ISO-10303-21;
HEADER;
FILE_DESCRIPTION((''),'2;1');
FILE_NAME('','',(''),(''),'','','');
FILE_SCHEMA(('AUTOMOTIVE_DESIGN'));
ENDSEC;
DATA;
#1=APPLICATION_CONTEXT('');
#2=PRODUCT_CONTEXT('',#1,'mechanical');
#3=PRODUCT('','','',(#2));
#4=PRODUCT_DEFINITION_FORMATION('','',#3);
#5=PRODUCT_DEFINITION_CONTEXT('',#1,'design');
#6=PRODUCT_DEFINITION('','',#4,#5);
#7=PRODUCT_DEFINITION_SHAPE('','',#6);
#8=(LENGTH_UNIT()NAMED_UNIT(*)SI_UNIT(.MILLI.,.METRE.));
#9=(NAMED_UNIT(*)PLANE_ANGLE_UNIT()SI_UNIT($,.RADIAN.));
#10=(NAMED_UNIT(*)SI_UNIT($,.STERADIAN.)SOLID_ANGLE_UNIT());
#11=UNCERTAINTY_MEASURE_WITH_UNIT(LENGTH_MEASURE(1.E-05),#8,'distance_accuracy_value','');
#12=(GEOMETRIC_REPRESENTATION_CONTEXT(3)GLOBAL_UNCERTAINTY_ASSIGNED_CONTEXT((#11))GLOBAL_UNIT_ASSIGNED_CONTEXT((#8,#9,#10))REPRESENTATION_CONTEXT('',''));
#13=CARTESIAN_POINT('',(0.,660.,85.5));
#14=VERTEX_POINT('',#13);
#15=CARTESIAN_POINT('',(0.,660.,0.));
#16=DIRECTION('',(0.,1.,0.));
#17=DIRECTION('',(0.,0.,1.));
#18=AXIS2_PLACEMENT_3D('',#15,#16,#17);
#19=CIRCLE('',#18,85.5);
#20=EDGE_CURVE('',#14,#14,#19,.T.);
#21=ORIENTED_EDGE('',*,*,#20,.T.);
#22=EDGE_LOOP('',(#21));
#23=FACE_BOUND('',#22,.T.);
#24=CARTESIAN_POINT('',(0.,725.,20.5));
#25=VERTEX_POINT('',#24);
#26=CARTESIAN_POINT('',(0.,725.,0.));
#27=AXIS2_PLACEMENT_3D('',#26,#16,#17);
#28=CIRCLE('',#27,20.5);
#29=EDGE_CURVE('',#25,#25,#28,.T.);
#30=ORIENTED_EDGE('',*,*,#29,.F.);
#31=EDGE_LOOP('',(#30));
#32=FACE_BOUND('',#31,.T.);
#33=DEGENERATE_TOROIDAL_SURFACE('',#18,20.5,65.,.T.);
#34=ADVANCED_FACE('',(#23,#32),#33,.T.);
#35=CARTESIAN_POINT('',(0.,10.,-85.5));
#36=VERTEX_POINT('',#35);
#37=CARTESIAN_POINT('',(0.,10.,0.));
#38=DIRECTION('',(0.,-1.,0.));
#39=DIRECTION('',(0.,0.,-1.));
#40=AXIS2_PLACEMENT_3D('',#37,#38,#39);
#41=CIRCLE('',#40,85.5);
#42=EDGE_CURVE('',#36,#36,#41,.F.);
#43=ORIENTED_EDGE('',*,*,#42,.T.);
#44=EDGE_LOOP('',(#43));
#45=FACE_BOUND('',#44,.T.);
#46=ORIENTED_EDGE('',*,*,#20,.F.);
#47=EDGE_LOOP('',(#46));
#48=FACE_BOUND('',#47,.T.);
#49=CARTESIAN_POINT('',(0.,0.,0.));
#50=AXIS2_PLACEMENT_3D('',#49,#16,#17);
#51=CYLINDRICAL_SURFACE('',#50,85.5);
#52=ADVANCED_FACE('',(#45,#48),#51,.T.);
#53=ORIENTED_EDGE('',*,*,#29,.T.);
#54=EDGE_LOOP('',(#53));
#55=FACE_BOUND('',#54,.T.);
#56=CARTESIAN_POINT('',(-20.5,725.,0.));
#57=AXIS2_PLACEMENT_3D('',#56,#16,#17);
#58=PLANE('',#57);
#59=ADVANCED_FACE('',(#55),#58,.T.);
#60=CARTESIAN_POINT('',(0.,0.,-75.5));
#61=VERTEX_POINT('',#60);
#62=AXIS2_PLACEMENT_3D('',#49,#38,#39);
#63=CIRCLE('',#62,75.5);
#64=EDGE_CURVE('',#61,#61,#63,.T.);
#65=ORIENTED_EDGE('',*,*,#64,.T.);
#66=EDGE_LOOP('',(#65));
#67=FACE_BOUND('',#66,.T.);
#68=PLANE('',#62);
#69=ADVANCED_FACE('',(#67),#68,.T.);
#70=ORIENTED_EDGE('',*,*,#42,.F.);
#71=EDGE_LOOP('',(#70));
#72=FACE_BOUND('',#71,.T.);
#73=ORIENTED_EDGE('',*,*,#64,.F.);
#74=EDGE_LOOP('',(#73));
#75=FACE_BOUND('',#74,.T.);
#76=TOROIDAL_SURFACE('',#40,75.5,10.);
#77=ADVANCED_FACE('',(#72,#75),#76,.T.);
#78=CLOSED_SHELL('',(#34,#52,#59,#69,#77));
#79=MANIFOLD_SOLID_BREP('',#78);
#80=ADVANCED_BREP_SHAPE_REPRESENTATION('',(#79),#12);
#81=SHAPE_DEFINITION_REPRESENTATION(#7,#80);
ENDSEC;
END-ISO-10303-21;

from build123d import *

# Parameters (mm, degrees)
FILLET1_R = 10


with BuildPart() as part:
    # Sketch1 → Revolve1 (revolve)
    with BuildSketch(Plane.XY, mode=Mode.PRIVATE) as revolve1_sk:
        with BuildLine():
            Line((0, 0), (-85.5, 0))
            Line((-85.5, 0), (-85.5, 660))
            ThreePointArc((-85.5, 660), (-66.461940777, 705.961940777), (-20.5, 725))
            Line((-20.5, 725), (0, 725))
            Line((0, 725), (0, 0))
        make_face()
    revolve(revolve1_sk.sketch.rotate(Axis((0, 0, 0), (0, -1, 0)), 270), axis=Axis((0, 0, 0), (0, -1, 0)))

    # Fillet1
    fillet1_edges = [part.edges().sort_by_distance(p)[0] for p in [
        (0, 0, -85.5),
    ]]
    fillet(fillet1_edges, radius=FILLET1_R)


solid = part.part
